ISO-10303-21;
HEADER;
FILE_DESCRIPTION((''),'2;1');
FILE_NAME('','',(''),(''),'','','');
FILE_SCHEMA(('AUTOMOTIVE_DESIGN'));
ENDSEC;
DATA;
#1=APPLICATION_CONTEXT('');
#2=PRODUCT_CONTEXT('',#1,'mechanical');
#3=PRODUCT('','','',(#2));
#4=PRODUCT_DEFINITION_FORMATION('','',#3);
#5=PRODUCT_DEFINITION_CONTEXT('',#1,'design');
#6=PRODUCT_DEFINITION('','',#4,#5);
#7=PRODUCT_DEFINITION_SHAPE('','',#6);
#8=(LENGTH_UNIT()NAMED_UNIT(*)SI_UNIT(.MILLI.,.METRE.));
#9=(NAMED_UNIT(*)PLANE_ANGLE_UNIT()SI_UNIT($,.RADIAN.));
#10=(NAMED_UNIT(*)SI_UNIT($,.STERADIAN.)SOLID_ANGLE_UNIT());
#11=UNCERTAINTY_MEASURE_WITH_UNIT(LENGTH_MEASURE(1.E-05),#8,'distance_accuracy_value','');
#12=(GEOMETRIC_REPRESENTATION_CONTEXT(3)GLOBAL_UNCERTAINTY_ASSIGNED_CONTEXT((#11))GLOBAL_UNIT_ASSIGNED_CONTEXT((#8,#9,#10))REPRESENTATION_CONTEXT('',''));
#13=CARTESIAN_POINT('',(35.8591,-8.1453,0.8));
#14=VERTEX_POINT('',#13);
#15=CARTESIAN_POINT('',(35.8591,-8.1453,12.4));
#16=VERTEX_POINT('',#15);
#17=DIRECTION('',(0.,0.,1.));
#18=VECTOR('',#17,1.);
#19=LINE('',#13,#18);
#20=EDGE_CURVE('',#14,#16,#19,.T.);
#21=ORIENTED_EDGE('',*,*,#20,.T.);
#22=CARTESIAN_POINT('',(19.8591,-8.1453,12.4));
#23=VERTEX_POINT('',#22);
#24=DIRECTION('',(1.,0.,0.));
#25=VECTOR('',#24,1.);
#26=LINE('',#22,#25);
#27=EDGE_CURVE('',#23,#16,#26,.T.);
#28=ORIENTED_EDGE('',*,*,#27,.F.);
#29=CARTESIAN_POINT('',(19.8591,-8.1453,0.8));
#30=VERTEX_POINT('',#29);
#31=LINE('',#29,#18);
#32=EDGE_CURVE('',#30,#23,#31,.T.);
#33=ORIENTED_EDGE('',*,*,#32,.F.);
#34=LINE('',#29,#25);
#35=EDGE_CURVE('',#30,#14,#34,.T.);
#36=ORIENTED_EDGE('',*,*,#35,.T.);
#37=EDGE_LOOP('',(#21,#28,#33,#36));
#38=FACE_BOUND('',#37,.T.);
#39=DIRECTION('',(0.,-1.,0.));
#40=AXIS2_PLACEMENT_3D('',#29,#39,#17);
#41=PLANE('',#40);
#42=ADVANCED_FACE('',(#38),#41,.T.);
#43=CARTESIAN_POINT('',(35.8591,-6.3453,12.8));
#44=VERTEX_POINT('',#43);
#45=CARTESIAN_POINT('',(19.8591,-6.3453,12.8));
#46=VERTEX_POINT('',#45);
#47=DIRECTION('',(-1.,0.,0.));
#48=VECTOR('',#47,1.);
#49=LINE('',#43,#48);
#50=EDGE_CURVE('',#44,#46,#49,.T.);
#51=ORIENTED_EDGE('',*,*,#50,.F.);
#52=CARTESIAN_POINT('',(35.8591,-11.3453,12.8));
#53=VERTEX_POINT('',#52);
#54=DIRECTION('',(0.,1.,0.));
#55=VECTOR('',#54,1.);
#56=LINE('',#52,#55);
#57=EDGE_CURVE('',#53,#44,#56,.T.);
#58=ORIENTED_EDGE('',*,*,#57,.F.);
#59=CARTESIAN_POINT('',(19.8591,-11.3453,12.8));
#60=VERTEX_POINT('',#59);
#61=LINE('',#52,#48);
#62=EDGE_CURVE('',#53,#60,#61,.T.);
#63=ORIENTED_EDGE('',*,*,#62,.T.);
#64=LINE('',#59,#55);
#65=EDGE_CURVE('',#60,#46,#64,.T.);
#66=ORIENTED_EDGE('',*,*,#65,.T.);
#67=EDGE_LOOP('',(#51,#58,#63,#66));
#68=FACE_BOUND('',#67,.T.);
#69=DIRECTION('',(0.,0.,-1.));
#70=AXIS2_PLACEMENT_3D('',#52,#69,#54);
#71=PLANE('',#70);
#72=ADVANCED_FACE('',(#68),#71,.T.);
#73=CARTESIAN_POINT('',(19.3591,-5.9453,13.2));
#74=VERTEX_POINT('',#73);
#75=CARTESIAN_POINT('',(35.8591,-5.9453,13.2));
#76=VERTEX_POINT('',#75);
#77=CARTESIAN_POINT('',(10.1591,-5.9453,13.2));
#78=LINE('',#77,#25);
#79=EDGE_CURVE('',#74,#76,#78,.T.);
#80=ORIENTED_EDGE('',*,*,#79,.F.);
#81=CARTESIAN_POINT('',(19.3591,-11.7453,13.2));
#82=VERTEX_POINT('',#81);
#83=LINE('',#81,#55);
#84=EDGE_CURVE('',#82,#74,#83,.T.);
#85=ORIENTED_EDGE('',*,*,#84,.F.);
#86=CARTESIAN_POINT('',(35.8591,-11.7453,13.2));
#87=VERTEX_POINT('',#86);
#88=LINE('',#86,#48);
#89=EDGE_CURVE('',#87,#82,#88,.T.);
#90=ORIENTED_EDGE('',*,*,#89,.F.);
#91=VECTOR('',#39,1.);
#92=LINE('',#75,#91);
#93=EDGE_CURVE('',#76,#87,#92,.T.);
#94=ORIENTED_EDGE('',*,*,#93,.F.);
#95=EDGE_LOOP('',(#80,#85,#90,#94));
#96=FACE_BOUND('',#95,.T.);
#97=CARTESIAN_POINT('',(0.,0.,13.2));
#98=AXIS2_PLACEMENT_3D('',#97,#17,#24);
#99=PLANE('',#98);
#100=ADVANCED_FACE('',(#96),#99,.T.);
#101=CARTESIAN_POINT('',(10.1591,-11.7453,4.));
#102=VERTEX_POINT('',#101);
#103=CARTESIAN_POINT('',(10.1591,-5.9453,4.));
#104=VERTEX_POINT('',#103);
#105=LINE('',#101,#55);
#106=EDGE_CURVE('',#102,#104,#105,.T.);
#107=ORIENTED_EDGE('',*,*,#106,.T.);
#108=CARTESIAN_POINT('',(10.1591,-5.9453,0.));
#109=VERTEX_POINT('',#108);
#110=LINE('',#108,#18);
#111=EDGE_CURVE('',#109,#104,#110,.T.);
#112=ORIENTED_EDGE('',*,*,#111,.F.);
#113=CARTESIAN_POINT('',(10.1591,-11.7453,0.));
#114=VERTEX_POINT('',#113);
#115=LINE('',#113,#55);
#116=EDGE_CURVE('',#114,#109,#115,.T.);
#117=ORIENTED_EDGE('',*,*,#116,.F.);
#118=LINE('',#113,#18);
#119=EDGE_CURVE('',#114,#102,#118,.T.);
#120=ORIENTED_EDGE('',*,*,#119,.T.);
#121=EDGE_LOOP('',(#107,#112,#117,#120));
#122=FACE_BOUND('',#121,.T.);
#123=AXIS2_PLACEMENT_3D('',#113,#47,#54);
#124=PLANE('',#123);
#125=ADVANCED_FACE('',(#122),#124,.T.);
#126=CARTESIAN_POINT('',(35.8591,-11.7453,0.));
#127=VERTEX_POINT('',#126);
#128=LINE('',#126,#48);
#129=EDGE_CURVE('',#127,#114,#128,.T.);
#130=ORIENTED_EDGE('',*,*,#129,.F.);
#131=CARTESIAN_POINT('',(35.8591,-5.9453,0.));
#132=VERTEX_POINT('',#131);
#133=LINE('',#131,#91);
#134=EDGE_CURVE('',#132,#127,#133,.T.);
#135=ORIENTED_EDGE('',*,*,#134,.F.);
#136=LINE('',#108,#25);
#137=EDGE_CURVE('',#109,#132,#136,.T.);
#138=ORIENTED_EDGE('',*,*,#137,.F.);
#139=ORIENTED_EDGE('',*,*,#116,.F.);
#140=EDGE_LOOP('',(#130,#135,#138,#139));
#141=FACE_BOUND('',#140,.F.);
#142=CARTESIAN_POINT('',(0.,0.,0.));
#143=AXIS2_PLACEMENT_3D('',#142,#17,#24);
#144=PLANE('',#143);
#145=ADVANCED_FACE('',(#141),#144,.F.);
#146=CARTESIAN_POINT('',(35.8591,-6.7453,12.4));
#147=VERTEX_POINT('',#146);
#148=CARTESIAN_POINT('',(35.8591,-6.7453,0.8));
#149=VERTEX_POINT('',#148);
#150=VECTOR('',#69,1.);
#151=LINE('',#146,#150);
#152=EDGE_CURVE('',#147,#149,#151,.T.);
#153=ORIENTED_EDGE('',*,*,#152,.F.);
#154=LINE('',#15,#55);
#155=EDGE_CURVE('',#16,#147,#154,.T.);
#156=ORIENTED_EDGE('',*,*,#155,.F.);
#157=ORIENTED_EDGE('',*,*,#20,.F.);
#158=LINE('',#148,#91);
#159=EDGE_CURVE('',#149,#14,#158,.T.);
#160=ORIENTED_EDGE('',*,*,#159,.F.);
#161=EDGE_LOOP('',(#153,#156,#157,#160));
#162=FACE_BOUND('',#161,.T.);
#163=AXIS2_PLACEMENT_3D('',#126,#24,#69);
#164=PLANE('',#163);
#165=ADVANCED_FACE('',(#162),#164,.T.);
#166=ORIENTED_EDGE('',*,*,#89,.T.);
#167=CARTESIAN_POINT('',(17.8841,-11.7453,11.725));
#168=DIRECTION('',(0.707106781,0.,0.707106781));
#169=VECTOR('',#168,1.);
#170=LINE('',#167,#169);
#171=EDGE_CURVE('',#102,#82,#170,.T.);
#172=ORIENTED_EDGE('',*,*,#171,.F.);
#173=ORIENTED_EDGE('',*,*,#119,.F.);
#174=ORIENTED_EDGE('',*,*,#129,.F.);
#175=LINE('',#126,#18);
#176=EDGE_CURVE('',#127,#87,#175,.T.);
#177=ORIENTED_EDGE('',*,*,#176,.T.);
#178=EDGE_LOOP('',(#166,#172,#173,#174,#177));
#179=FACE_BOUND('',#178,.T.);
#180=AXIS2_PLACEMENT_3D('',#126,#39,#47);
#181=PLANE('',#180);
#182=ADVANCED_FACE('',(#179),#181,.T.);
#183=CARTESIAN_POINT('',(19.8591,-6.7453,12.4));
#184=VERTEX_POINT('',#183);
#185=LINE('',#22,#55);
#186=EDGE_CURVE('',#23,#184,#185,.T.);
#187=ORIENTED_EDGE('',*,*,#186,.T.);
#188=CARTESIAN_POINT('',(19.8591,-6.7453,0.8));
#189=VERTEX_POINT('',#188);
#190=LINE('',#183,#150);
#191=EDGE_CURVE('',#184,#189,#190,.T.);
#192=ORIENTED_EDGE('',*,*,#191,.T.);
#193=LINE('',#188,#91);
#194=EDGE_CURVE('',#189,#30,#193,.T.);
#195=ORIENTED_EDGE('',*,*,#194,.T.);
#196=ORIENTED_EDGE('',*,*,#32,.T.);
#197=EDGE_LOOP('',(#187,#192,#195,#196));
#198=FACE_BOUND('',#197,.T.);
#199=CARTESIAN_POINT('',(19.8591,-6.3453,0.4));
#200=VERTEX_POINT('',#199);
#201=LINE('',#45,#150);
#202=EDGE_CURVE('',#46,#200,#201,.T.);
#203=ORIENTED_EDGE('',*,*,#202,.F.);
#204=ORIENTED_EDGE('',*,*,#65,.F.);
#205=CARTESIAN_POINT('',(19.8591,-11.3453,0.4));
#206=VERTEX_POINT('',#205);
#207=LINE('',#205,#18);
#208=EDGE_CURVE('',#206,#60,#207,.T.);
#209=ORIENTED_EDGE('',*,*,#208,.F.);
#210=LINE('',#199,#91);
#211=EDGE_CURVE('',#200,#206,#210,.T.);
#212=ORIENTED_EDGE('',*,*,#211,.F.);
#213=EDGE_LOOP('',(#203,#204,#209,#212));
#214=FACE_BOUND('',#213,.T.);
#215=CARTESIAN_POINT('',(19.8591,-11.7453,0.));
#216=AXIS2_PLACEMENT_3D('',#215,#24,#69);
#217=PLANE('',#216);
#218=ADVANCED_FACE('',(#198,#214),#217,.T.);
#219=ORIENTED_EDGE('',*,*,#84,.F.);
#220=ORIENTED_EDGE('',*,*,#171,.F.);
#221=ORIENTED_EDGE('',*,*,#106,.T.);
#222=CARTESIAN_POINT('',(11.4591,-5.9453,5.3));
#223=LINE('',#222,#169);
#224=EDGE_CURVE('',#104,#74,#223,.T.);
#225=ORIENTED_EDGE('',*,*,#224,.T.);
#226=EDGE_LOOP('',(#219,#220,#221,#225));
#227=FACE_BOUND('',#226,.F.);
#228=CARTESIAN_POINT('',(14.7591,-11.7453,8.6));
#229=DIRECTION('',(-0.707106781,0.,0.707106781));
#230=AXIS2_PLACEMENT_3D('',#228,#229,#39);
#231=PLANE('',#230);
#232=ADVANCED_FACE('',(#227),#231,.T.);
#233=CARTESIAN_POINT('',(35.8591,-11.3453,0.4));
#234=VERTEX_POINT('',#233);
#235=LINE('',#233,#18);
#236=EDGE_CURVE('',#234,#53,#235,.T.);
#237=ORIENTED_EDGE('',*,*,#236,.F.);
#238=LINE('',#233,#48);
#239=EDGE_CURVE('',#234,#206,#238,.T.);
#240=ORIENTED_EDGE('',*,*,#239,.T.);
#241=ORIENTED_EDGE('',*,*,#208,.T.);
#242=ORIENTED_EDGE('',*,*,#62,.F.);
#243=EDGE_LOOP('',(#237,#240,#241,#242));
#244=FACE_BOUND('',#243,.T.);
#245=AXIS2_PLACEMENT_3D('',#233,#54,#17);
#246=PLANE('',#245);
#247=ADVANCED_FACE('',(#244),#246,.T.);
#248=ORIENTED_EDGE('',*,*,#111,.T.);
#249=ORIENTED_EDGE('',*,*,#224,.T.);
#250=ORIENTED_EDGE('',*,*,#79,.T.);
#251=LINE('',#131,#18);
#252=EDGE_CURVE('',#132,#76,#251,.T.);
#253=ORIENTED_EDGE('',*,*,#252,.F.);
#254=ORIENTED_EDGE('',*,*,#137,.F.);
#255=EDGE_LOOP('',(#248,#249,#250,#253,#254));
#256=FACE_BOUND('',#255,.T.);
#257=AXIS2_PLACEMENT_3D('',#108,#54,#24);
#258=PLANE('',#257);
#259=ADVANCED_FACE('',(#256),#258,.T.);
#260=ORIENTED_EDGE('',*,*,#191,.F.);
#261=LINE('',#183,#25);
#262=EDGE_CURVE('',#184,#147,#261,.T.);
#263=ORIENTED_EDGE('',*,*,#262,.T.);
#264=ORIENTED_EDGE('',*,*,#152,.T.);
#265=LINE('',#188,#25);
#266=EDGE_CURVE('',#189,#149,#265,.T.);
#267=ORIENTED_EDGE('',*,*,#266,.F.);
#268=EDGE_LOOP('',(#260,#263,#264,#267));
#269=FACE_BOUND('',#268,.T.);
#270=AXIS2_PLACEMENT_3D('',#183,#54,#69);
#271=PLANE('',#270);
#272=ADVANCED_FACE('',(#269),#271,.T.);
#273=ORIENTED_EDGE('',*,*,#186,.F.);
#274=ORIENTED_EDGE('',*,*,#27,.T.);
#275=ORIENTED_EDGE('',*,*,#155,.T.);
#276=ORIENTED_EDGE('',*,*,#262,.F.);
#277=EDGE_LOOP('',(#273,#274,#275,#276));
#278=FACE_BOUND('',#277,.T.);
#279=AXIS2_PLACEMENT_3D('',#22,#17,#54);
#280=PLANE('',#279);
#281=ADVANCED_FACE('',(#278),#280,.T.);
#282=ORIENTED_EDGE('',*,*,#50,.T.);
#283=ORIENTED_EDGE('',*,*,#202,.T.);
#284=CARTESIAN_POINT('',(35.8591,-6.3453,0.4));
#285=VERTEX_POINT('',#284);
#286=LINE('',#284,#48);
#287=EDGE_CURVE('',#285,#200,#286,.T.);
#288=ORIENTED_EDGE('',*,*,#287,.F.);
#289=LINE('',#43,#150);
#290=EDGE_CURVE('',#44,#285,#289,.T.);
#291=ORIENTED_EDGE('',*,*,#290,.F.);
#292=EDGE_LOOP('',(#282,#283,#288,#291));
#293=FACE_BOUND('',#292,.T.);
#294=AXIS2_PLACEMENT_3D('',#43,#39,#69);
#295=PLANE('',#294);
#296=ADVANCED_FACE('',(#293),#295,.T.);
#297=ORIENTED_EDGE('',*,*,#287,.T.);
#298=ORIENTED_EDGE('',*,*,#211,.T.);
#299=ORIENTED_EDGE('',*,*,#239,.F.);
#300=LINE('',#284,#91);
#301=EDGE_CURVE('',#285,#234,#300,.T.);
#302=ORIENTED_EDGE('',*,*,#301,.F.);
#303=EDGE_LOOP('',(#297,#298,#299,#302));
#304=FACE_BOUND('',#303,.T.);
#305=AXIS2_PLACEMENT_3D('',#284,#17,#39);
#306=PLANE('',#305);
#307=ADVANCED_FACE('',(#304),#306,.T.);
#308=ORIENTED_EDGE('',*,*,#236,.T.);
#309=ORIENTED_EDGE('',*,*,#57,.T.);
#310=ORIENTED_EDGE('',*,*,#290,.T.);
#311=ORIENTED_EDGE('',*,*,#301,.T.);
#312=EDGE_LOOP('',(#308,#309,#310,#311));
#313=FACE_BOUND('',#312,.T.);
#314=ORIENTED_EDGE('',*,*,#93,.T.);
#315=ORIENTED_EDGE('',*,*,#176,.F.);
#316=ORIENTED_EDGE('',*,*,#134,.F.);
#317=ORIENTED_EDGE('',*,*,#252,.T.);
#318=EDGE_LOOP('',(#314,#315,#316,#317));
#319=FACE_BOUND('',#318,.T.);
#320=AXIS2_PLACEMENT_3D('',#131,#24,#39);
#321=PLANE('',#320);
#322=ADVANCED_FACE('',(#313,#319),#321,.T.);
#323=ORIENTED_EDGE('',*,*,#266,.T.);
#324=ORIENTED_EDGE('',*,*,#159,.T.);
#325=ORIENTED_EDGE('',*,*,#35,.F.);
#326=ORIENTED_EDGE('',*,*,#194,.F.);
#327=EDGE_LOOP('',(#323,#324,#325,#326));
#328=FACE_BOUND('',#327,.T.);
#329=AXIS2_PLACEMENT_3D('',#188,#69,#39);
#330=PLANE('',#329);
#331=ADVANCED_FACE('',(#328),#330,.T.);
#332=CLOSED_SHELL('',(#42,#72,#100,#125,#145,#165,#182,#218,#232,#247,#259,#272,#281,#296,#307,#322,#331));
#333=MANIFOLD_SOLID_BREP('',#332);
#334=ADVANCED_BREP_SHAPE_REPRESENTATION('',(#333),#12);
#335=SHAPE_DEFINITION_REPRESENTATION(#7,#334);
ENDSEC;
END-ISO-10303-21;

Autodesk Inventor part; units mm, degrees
ref_plane "YZ Plane" through (0, 0, 0) normal (1, 0, 0) x (0, 1, 0)
ref_plane "XZ Plane" through (0, 0, 0) normal (0, 1, 0) x (-1, 0, 0)
ref_plane "XY Plane" through (0, 0, 0) normal (0, 0, 1) x (1, 0, 0)
ref_plane "Work Plane1" through (0, 0, 0) normal (0, 0, 1) x (1, 0, 0)
sketch "Sketch1" plane through (0, 0, 0) normal (0, 0, 1) x (1, 0, 0)
  line L0 (10.1591, -5.9453) -> (35.8591, -5.9453)
  line L1 (35.8591, -5.9453) -> (35.8591, -11.7453)
  line L2 (35.8591, -11.7453) -> (10.1591, -11.7453)
  line L3 (10.1591, -11.7453) -> (10.1591, -5.9453)
  point P0 (0, 0)
  dimension "d0" = 25.7
  dimension "d2" = 5.8
extrude "Extrusion1" add sketch "Sketch1" along normal blind 13.2
chamfer "Chamfer1" distance 9.2 angle 45 1 edges at (10.1591, -8.8453, 13.2)
sketch "Sketch2" plane through (35.8591, -11.7453, 0) normal (1, 0, 0) x (0, 0, -1)
  line L0 (0, 5.8) -> (0, 0) projected
  line L1 (0, 5.8) -> (-13.2, 5.8) projected
  line L2 (-13.2, 0) -> (-13.2, 5.8) projected
  line L3 (0, 0) -> (-13.2, 0) projected
  line L4 (-12.8, 5.4) -> (-0.4, 5.4)
  line L5 (-0.4, 5.4) -> (-0.4, 0.4)
  line L6 (-0.4, 0.4) -> (-12.8, 0.4)
  line L7 (-12.8, 0.4) -> (-12.8, 5.4)
  point P0 (0, 11.7453)
  dimension "d8" = 0.4
extrude "Extrusion2" cut sketch "Sketch2" against normal blind 16 contours L4 L5 L6 L7
sketch "Sketch3" plane through (19.8591, -11.7453, 0) normal (1, 0, 0) x (0, 0, -1)
  line L0 (-12.8, 5.4) -> (-0.4, 5.4) projected
  line L1 (-12.8, 0.4) -> (-12.8, 5.4) projected
  line L2 (-0.4, 5.4) -> (-0.4, 0.4) projected
  line L3 (-12.4, 5) -> (-0.8, 5)
  line L4 (-0.8, 5) -> (-0.8, 3.6)
  line L5 (-0.8, 3.6) -> (-12.4, 3.6)
  line L6 (-12.4, 3.6) -> (-12.4, 5)
  point P0 (0, 11.7453)
  dimension "d11" = 0.4
  dimension "d12" = 0.4
  dimension "d13" = 0.4
  dimension "d14" = 1.4
extrude "Extrusion3" add sketch "Sketch3" along normal blind 16
properties part number "nanopc_t4_usb3"
